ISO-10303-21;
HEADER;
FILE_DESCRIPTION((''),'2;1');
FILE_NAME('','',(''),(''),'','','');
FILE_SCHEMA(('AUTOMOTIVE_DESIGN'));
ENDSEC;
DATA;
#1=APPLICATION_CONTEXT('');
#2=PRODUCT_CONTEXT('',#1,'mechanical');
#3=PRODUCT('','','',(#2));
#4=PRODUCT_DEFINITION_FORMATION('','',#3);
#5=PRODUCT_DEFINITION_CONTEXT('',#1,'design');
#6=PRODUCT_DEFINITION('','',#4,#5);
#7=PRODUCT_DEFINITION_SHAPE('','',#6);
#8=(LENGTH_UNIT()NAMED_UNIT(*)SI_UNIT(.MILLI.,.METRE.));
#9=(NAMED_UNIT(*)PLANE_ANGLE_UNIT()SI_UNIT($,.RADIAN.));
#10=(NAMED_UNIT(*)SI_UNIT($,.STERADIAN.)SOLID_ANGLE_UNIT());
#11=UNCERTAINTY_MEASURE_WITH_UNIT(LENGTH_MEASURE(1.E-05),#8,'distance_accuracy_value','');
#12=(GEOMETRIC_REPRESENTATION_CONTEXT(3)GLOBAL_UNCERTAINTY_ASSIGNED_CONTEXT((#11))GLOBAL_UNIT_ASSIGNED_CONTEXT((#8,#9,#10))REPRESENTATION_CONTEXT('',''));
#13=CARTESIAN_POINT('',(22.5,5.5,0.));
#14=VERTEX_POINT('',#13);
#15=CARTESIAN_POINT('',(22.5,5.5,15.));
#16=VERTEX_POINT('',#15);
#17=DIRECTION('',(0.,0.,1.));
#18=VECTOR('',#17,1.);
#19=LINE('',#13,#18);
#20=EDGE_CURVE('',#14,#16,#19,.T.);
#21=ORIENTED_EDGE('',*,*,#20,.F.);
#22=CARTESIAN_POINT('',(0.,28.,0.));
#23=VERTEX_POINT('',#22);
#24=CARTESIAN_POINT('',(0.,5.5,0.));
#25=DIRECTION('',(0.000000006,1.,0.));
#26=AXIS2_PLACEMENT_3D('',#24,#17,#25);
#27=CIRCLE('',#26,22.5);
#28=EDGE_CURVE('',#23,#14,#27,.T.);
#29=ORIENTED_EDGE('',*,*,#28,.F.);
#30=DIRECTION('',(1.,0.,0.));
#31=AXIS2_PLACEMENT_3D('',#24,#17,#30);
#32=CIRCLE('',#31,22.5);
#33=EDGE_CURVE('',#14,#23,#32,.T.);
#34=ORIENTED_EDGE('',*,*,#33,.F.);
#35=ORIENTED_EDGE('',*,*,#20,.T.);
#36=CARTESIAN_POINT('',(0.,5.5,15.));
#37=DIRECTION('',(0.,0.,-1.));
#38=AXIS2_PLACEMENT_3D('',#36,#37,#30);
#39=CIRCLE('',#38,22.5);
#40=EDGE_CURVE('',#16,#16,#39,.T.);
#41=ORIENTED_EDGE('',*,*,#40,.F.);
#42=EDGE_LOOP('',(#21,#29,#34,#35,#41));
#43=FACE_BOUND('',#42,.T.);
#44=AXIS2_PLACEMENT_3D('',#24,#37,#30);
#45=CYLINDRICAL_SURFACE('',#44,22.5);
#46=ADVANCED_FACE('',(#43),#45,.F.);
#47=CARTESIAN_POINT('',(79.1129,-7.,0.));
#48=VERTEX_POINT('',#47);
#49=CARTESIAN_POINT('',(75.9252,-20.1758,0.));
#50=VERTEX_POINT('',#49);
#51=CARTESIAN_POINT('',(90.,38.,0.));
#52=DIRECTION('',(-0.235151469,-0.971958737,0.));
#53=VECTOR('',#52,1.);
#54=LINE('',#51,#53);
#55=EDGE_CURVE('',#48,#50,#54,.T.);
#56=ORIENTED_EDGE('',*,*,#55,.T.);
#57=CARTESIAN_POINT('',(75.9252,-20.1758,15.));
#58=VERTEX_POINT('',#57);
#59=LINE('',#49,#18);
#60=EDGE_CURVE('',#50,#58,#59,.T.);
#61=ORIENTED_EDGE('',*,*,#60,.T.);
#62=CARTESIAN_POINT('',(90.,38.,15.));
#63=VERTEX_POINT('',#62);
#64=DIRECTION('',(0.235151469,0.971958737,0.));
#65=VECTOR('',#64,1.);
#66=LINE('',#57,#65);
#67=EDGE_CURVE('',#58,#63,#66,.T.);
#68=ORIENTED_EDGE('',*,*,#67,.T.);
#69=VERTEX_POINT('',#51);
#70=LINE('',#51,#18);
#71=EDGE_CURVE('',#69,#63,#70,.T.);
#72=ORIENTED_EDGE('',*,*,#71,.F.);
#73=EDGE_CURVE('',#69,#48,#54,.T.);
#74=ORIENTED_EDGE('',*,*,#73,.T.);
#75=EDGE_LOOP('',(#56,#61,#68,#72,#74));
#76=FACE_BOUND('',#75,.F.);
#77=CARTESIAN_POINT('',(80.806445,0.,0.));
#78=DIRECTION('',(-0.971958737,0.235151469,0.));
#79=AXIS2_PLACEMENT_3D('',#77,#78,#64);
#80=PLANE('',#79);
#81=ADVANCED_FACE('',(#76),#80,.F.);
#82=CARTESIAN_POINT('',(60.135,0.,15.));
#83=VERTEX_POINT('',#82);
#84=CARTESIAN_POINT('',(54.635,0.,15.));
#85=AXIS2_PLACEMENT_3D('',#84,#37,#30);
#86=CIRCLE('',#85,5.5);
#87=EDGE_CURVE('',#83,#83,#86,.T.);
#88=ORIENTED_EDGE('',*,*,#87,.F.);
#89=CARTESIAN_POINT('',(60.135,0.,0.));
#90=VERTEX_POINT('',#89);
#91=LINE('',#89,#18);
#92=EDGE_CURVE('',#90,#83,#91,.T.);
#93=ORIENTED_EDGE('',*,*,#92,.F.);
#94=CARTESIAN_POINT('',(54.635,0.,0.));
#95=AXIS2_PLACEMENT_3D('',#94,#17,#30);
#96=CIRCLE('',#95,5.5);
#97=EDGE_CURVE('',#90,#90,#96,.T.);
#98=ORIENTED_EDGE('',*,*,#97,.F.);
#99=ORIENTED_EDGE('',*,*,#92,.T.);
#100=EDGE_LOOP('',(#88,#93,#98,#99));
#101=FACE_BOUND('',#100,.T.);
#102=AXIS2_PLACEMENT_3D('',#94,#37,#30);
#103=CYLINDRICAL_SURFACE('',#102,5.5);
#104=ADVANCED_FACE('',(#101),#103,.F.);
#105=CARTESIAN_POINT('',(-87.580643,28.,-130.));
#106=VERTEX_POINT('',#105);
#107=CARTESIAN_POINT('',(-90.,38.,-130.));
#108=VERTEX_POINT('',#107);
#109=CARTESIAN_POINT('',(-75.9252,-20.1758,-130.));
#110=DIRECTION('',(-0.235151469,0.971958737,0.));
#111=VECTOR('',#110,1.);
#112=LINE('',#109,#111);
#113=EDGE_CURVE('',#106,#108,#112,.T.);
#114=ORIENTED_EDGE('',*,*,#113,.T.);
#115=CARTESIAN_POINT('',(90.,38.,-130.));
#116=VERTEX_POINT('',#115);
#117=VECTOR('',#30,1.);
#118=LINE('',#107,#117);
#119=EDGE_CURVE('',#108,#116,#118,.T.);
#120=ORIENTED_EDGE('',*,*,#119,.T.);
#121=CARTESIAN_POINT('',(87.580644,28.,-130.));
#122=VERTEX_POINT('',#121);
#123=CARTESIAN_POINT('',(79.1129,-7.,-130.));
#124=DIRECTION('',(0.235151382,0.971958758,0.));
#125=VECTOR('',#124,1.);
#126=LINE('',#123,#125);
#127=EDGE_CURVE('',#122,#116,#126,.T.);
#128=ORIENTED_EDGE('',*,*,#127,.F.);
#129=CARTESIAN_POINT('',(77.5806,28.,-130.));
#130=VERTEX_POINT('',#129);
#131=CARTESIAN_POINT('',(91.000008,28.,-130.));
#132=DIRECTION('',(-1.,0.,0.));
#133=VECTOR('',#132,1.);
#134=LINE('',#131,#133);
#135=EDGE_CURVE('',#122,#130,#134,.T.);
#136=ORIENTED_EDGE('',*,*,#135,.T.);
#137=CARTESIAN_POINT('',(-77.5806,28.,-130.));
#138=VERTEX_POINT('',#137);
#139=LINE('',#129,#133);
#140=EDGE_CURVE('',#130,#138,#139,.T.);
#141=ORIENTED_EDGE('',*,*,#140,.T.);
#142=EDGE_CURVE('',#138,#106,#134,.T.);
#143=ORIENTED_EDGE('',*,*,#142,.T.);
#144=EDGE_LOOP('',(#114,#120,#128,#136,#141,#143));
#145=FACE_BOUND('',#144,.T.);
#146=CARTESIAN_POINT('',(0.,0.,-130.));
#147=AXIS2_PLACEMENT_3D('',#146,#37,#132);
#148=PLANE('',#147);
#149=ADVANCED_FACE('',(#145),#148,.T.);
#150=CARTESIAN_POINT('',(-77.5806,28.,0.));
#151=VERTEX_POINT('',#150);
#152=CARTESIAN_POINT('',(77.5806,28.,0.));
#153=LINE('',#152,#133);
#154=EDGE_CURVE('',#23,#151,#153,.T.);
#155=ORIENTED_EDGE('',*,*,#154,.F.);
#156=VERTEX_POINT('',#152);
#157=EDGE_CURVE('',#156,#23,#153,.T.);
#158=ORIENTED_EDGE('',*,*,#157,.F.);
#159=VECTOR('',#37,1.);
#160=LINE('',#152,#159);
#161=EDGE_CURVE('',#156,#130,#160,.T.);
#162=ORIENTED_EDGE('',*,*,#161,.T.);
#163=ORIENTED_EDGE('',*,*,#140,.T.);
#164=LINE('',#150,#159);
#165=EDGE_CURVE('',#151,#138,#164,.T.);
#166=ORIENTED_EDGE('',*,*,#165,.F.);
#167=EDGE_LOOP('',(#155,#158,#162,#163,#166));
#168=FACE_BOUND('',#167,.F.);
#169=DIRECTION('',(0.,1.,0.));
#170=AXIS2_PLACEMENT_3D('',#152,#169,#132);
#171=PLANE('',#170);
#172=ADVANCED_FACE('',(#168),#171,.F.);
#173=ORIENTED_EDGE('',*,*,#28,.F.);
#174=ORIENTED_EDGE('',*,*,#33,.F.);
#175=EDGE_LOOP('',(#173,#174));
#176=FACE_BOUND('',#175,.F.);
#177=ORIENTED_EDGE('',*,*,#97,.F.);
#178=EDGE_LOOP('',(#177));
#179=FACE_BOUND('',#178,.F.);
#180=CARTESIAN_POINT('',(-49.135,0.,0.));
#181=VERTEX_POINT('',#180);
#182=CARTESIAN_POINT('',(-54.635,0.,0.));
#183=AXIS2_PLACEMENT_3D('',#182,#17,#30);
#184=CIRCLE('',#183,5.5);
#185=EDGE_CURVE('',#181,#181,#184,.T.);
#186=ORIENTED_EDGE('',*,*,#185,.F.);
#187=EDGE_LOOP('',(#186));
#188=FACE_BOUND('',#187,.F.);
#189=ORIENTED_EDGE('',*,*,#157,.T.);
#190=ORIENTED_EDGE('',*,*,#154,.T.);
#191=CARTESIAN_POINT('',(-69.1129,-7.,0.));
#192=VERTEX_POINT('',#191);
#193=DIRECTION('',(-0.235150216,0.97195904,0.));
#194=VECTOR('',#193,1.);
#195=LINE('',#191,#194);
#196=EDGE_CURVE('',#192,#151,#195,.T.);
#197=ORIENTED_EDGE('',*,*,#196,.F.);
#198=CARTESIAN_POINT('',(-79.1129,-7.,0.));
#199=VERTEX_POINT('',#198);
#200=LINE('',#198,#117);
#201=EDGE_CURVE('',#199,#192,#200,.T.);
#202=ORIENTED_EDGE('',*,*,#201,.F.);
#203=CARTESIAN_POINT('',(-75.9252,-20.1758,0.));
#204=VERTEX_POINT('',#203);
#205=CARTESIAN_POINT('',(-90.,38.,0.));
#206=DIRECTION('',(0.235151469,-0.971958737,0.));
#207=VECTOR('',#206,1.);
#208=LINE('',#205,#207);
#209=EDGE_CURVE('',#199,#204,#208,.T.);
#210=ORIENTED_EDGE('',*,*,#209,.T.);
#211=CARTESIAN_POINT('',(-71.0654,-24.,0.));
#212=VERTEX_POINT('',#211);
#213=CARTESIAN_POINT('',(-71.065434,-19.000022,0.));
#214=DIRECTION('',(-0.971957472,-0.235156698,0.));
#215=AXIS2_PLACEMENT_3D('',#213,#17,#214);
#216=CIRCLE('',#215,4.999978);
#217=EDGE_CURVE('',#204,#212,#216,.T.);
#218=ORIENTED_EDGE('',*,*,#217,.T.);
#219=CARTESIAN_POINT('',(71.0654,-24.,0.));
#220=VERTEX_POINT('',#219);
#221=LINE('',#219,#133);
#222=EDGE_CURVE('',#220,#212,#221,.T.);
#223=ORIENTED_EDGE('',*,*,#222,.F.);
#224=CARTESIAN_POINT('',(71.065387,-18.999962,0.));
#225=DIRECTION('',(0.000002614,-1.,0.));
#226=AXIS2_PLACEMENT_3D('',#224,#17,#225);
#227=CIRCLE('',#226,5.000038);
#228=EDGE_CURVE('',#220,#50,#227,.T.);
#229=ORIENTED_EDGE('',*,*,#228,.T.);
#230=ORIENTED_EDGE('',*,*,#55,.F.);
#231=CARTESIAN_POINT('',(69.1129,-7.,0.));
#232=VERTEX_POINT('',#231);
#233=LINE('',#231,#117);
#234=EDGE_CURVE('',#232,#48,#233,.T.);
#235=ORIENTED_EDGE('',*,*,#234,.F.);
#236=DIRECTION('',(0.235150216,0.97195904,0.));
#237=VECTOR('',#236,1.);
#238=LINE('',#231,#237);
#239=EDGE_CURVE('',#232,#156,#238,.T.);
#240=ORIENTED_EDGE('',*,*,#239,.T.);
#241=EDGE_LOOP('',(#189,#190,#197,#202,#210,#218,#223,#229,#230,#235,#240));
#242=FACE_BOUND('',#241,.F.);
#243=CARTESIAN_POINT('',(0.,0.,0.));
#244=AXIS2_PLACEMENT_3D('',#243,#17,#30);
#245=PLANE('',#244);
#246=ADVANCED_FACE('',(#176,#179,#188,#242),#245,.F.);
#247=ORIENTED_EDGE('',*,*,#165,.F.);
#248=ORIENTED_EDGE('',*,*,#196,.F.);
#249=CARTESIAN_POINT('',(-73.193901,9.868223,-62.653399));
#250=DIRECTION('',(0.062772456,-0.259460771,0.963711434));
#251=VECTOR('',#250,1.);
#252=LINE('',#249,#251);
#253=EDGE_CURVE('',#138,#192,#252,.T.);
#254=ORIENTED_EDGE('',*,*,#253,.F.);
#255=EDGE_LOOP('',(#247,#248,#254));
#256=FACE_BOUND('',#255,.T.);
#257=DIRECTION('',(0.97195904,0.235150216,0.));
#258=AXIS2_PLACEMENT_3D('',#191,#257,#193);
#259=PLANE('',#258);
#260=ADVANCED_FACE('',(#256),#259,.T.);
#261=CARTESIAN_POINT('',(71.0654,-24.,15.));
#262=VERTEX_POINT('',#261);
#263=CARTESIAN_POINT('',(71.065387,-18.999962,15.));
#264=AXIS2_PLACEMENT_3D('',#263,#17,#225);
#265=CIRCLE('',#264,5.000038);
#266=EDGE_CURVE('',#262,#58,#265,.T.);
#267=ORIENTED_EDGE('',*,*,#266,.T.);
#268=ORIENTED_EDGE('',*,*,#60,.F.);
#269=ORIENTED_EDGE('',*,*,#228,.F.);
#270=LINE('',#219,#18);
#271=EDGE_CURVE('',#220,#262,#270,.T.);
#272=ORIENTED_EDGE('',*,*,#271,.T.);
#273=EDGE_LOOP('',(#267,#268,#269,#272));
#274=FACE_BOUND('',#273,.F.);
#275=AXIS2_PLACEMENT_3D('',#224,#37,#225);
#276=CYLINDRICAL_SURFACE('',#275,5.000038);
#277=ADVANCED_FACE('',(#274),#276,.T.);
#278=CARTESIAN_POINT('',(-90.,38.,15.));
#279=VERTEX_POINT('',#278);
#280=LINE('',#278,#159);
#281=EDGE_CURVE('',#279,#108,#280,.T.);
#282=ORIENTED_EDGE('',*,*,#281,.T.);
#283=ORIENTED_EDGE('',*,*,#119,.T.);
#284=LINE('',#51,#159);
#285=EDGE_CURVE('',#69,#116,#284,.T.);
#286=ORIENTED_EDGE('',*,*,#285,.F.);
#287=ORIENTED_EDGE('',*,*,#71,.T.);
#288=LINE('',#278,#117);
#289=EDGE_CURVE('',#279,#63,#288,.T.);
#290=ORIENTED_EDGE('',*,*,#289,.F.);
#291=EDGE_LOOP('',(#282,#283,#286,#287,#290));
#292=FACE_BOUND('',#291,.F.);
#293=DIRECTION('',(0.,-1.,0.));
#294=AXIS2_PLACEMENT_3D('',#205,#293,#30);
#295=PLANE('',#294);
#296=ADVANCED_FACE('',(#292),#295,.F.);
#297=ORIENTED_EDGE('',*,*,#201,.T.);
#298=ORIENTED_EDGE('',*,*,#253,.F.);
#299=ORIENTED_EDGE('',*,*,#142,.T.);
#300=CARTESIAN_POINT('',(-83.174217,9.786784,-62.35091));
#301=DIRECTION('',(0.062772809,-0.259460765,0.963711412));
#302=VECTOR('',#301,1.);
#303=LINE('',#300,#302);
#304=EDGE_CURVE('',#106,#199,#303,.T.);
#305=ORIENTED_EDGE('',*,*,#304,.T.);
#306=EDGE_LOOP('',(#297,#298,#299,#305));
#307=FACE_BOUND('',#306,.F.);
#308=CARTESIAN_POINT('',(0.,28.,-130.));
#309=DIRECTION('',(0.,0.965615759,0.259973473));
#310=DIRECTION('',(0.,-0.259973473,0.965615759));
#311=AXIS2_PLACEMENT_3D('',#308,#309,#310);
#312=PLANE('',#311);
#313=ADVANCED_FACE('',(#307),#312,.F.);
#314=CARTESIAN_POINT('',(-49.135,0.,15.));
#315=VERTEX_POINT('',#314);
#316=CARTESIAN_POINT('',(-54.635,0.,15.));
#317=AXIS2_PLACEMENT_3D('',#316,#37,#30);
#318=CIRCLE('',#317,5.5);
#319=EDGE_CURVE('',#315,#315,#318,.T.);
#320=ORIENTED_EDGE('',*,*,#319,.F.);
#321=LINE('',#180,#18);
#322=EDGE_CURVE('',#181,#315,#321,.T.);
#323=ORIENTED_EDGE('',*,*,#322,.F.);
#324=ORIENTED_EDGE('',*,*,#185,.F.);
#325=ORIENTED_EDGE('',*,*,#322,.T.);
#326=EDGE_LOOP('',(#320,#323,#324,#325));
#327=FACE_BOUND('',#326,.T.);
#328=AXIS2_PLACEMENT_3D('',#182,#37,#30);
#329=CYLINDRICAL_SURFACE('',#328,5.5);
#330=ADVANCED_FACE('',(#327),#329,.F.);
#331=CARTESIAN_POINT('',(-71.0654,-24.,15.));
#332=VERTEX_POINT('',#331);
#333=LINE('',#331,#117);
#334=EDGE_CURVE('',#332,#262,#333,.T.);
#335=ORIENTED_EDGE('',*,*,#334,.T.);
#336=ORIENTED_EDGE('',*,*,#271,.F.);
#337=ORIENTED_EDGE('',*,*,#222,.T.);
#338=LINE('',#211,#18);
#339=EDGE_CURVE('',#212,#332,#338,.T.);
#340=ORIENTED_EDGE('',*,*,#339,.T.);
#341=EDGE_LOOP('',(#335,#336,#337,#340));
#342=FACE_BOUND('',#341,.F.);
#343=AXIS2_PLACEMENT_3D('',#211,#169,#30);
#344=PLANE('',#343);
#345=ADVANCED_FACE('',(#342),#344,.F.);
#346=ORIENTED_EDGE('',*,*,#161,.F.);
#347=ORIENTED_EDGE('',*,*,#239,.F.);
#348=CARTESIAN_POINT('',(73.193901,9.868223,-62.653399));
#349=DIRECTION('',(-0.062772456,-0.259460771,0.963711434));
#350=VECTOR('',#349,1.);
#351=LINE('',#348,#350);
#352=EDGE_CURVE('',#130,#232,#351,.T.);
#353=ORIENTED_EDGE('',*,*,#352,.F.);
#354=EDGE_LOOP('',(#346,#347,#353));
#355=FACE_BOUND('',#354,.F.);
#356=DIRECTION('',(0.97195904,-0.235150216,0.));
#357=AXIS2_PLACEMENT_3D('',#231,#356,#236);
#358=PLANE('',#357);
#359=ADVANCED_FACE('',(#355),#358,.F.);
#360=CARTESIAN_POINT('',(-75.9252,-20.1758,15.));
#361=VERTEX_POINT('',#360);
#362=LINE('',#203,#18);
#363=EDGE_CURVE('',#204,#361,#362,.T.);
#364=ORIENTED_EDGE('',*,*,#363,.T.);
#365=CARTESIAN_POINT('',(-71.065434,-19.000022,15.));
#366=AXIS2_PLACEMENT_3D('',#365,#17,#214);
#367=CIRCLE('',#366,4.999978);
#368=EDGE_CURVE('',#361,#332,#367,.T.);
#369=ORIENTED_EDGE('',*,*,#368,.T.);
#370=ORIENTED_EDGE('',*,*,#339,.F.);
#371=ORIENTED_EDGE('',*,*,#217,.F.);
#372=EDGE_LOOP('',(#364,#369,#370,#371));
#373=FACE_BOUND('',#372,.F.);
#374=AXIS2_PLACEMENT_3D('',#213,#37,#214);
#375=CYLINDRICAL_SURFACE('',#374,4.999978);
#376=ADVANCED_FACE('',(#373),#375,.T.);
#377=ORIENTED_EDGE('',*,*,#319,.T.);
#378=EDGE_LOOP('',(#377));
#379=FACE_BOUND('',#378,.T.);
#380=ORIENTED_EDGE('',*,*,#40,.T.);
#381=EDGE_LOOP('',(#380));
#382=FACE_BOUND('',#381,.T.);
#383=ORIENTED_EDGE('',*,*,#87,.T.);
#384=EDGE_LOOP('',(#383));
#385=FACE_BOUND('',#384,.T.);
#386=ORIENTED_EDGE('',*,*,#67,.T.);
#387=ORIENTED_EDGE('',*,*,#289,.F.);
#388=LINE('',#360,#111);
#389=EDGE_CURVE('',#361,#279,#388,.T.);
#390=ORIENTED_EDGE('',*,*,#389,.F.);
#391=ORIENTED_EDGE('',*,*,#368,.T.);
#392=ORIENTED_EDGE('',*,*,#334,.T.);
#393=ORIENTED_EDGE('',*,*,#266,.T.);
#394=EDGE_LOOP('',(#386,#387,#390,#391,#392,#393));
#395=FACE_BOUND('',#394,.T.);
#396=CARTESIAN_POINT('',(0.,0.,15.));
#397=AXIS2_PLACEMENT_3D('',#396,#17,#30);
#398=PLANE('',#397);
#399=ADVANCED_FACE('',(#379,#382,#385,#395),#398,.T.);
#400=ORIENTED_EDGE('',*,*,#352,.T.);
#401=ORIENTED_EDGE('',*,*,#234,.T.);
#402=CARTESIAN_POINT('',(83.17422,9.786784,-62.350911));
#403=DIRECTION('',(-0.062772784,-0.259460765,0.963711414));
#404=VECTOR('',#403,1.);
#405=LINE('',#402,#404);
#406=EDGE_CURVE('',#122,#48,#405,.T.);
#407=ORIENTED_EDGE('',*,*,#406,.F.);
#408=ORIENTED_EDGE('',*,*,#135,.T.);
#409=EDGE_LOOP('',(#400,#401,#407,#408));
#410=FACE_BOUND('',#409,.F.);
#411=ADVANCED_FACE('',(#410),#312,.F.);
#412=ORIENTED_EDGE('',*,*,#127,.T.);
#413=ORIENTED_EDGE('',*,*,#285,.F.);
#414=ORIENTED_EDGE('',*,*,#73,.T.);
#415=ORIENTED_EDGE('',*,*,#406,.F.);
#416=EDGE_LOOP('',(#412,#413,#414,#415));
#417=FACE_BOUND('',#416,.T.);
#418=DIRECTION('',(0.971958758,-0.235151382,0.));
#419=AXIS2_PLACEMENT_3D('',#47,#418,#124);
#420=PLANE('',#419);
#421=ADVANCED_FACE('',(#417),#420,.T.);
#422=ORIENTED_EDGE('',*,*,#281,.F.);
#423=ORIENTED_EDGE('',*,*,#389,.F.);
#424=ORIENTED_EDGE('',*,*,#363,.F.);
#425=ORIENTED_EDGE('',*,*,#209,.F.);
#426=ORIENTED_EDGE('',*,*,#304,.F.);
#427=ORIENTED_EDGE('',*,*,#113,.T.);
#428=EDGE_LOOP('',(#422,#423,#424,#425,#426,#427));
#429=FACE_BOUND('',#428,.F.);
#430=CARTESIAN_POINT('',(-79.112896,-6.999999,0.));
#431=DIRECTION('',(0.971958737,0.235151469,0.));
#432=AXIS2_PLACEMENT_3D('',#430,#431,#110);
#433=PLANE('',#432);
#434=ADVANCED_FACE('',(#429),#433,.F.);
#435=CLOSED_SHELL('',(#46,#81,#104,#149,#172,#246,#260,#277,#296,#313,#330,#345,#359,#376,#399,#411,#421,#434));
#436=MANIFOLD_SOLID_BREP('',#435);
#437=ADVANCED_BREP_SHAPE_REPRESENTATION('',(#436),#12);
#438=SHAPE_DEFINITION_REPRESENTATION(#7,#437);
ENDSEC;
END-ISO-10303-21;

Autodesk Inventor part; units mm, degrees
ref_plane "YZ Plane" through (0, 0, 0) normal (1, 0, 0) x (0, 1, 0)
ref_plane "XZ Plane" through (0, 0, 0) normal (0, 1, 0) x (-1, 0, 0)
sketch "hole pattern" plane through (0, 0, 0) normal (0, 0, 1) x (1, 0, 0)
  circle A0 centre (-54.635, 0) radius 5 construction
  line L0 (-126, 0) -> (126, 0) projected
  line L1 (0, -37.4097) -> (0, 50.5683) projected
  circle A1 centre (0, 5.5) radius 22.5
  line L2 (-54.635, -5) -> (0, -5) construction
  circle A2 centre (54.635, 0) radius 5 construction
  line L3 (-90, 38) -> (90, 38)
  line L4 (-90, 38) -> (-75.9252, -20.1758)
  line L5 (-71.0654, -24) -> (71.0654, -24)
  line L6 (75.9252, -20.1758) -> (90, 38)
  circle A3 centre (-54.635, 0) radius 15 construction
  circle A4 centre (54.635, 0) radius 15 construction
  circle A5 centre (-54.635, 0) radius 5.5
  circle A6 centre (54.635, 0) radius 5.5
  arc A7 (71.0654, -24) -> (75.9252, -20.1758) centre (71.0654, -19) ccw
  arc A8 (-75.9252, -20.1758) -> (-71.0654, -24) centre (-71.0654, -19) ccw
  point P0 (0, 0)
  point P1 (-75, -24)
  point P2 (75, -24)
  dimension "d1" = 10
  dimension "d0" = 54.635
  dimension "d2" = 45
  dimension "topWidth" = 180
  dimension "d38" = 90
  dimension "d39" = 32.5
  dimension "d40" = 10.5
  dimension "d41" = 24
  dimension "d42" = 30
  dimension "d43" = 30
  dimension "d44" = 11
  dimension "d45" = 11
  dimension "d46" = 150
extrude "Extrusion1" add sketch "hole pattern" along normal blind 15 contours L4 L3 L1 A1 L0 A5 | L0 A5 A1 L1 L5 A8 L4 | L3 L6 L0 A6 A1 L1 | L1 A1 L0 A6 L6 A7 L5
sketch "Sketch2" plane through (0, 0, 0) normal (0, 0, -1) x (-1, 0, 0)
  line L0 (75.9252, -20.1758) -> (90, 38) projected
  line L1 (90, 38) -> (-90, 38) projected
  line L2 (-90, 38) -> (90, 38) projected
  line L3 (-90, 38) -> (90, 38)
  line L4 (-77.5806, 28) -> (77.5806, 28)
  line L5 (-69.1129, -7) -> (-77.5806, 28)
  line L6 (-69.1129, -7) -> (-79.1129, -7)
  line L7 (90, 38) -> (75.9252, -20.1758) projected
  line L8 (79.1129, -7) -> (69.1129, -7)
  line L9 (69.1129, -7) -> (77.5806, 28)
  line L10 (-79.1129, -7) -> (-90, 38)
  line L11 (-90, 38) -> (-75.9252, -20.1758) projected
  line L12 (79.1129, -7) -> (90, 38)
  point P0 (0, 0)
  dimension "d50" = 10
  dimension "d53" = 45
  dimension "d54" = 10
extrude "Extrusion2" add sketch "Sketch2" along normal blind 130
ref_plane "Work Plane1" through (0, -334, 0) normal (-1, 0, 0) x (0, 0, -1)
sketch "Sketch5" plane through (0, -334, 0) normal (-1, 0, 0) x (0, 0, -1)
  line L0 (0, -327) -> (130, -327) projected
  line L1 (130, -362) -> (130, -327) projected
  line L2 (0, -327) -> (130, -327)
  line L3 (130, -362) -> (130, -327.7477)
  line L4 (130, -362) -> (0, -327)
  point P0 (0, -334)
extrude "Extrusion3" cut sketch "Sketch5" along normal through all both and the other way through all
equation "\"d38\" = 0.5 * topWidth"
properties part number "Brake_Light_Base_Plate"
